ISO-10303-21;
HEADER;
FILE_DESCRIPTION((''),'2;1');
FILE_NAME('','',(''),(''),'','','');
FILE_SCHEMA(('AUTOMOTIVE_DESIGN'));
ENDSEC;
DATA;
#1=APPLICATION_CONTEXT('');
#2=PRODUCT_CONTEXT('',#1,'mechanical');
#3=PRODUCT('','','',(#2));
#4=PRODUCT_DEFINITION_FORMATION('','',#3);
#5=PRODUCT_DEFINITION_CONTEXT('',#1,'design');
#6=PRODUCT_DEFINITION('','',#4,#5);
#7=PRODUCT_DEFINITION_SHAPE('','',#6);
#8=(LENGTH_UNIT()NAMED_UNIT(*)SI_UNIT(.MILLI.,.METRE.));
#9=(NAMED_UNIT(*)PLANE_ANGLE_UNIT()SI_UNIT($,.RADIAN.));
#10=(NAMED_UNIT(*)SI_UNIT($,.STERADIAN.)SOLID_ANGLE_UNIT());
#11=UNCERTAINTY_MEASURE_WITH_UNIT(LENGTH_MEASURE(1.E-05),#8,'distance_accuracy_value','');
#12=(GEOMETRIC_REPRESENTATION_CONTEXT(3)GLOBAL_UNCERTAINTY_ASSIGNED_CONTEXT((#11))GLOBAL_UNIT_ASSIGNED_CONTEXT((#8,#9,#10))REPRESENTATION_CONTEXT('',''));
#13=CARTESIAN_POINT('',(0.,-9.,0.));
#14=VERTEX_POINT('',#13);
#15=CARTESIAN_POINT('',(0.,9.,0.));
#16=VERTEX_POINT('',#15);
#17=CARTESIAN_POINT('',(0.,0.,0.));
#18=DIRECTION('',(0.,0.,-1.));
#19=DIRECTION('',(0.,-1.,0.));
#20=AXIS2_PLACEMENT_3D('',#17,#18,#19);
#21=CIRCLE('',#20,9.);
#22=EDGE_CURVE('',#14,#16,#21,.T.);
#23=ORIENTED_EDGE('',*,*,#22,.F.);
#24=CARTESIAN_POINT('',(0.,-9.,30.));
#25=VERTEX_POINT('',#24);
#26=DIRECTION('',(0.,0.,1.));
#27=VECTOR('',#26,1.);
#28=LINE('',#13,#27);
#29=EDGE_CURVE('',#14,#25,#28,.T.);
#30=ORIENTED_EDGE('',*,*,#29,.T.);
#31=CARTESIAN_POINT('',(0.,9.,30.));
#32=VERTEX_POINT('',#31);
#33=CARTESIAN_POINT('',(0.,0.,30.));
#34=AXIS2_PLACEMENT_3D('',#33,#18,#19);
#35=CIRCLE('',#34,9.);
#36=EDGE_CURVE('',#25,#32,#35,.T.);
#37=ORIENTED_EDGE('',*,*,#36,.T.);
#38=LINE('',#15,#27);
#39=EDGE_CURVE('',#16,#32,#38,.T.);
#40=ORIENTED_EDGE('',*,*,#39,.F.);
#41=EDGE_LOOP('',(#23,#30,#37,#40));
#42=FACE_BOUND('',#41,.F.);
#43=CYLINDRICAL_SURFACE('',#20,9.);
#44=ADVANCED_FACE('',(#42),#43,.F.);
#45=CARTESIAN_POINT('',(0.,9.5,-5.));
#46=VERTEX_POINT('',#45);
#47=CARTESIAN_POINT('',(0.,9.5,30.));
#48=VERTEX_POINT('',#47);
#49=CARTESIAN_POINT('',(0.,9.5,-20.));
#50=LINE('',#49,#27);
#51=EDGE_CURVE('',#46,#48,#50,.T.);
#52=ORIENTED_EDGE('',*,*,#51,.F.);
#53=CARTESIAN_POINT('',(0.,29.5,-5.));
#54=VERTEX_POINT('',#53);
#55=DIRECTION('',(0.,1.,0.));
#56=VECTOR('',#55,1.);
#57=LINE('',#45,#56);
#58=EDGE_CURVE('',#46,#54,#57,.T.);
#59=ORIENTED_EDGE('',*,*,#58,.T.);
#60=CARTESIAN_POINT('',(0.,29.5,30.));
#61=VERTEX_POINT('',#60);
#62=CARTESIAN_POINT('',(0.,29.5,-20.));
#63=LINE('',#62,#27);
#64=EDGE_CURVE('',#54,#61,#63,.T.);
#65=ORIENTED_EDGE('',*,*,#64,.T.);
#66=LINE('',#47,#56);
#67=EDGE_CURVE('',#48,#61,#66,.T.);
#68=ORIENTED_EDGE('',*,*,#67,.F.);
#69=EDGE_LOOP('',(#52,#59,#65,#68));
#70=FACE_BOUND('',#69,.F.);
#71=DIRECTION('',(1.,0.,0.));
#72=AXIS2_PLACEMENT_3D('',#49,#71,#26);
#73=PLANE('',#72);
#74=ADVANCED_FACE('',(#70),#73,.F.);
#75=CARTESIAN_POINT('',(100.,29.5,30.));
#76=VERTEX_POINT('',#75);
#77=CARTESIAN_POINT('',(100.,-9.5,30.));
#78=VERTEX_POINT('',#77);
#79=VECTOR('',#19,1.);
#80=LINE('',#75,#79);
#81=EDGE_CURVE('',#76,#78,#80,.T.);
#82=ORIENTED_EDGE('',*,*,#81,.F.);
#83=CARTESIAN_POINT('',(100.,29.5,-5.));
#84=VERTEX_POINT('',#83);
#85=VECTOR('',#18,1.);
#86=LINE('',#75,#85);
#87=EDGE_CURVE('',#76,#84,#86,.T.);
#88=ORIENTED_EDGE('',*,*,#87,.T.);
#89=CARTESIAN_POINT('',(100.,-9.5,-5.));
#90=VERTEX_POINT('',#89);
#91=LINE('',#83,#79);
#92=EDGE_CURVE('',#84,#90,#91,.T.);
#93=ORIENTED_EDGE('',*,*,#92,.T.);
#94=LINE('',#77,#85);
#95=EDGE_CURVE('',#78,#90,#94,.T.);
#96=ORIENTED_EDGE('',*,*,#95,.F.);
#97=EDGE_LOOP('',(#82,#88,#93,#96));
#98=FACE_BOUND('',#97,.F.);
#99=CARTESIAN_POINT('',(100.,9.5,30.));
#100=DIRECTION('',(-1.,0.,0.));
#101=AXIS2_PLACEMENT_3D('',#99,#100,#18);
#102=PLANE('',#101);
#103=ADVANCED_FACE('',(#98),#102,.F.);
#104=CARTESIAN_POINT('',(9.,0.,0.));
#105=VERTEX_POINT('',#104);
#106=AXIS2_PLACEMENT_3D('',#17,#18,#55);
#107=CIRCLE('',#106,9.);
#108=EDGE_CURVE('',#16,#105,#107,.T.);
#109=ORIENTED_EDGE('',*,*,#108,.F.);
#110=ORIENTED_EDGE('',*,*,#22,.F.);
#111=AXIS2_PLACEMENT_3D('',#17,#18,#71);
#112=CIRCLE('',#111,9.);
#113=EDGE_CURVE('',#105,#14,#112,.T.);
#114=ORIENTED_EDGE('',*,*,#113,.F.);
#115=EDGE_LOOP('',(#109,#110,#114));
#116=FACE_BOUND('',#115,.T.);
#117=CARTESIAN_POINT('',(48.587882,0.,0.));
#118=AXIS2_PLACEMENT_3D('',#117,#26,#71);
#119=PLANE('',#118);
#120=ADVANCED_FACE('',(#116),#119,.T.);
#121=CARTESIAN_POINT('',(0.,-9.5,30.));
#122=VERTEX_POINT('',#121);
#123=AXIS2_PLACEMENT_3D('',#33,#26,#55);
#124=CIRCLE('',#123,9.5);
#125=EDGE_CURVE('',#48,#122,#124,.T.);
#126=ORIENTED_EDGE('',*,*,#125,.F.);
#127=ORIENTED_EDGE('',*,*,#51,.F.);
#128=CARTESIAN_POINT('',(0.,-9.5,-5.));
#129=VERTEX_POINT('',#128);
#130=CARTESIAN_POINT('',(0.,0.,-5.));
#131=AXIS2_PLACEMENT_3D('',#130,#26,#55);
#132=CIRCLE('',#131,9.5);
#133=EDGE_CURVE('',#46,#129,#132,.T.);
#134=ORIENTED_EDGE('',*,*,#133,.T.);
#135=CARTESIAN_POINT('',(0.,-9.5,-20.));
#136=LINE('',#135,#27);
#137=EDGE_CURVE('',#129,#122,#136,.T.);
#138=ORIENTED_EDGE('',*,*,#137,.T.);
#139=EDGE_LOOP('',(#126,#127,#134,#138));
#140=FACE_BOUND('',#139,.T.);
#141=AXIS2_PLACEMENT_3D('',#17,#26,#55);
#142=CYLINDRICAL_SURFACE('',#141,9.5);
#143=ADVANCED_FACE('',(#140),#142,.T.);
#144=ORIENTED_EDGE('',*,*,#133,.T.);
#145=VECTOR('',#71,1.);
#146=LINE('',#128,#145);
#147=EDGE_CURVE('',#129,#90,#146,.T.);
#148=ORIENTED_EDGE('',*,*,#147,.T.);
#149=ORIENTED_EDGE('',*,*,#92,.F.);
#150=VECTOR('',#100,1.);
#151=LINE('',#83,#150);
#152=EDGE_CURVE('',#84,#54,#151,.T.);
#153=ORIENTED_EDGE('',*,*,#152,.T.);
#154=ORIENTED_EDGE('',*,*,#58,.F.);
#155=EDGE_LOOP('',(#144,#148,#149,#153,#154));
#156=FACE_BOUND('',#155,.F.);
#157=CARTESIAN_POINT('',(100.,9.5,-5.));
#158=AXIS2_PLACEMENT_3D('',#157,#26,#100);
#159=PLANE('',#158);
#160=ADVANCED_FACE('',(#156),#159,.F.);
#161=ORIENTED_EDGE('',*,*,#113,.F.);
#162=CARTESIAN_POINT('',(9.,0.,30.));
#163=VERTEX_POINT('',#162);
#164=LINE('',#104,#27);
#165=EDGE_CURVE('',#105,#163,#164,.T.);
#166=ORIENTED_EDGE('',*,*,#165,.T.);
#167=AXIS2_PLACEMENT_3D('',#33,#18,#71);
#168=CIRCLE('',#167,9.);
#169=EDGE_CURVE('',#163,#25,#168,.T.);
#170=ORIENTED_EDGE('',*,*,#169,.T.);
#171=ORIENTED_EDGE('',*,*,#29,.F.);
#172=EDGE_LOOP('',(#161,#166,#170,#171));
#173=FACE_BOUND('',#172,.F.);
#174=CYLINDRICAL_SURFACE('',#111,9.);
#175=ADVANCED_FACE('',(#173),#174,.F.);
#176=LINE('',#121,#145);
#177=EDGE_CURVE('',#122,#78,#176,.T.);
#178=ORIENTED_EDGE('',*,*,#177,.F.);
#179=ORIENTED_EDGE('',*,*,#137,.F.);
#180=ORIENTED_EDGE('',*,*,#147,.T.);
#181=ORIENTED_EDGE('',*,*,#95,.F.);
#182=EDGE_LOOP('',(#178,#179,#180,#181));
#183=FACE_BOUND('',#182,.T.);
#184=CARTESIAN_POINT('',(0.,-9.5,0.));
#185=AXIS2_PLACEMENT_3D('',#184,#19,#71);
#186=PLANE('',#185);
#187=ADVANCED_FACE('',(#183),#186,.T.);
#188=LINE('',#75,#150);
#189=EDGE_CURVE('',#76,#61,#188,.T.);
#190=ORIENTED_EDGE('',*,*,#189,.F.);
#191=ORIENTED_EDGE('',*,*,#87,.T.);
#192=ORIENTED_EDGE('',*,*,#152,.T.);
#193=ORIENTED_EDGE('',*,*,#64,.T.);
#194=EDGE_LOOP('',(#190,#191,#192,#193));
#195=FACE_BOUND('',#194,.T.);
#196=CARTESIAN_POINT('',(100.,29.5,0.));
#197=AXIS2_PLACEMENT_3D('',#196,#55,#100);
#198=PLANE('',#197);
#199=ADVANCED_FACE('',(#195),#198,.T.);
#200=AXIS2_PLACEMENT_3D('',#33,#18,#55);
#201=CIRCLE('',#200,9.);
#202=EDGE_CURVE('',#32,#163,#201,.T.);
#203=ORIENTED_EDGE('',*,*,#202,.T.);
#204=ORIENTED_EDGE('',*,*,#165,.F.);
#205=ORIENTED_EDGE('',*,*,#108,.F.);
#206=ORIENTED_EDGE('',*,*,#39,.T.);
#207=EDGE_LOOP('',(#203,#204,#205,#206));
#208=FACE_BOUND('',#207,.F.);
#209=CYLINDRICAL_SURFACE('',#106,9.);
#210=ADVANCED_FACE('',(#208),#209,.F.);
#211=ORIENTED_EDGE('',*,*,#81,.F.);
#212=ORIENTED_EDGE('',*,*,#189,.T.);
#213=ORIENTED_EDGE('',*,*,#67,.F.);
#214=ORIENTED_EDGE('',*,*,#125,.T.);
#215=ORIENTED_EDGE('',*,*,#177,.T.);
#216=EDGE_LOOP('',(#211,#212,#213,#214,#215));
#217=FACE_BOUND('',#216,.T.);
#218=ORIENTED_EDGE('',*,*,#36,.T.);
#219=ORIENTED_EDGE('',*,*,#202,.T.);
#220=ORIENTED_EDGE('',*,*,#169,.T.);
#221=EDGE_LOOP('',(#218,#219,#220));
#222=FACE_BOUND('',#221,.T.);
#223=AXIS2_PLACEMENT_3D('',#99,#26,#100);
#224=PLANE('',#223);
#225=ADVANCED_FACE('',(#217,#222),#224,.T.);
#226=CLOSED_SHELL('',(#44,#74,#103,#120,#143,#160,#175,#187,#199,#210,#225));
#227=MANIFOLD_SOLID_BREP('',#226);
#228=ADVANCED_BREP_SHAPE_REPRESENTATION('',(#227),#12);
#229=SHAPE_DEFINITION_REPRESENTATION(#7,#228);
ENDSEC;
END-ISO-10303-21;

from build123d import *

# Parameters (mm, degrees)
F1_DEPTH = 30
F2_DEPTH = 20
F3_DEPTH = 20
F4_DEPTH = 15


with BuildPart() as f1:
    # F0 (on Top) → F1 (new body)
    with BuildSketch(Plane.XY):
        with BuildLine():
            ThreePointArc((0, 9), (6.3639610307, 6.3639610307), (9, 0))
            ThreePointArc((9, 0), (6.3639610307, -6.3639610307), (0, -9))
            Line((0, -9), (0, -9.5))
            ThreePointArc((0, -9.5), (6.7175144213, -6.7175144213), (9.5, 0))
            ThreePointArc((9.5, 0), (6.7175144213, 6.7175144213), (0, 9.5))
            Line((0, 9.5), (0, 9))
        make_face()
        with BuildLine():
            ThreePointArc((0, -9), (-9, 0), (0, 9))
            Line((0, 9), (0, 9.5))
            ThreePointArc((0, 9.5), (-9.5, 0), (0, -9.5))
            Line((0, -9.5), (0, -9))
        make_face()
        with BuildLine():
            Line((100, 9.5), (0, 9.5))
            ThreePointArc((0, 9.5), (6.7175144213, 6.7175144213), (9.5, 0))
            ThreePointArc((9.5, 0), (6.7175144213, -6.7175144213), (0, -9.5))
            Line((0, -9.5), (100, -9.5))
            Line((100, -9.5), (100, 9.5))
        make_face()
    extrude(amount=F1_DEPTH)

    # F0 (on Top) → F2 (join)
    with BuildSketch(Plane.XY):
        with BuildLine():
            Line((100, 9.5), (0, 9.5))
            ThreePointArc((0, 9.5), (6.7175144213, 6.7175144213), (9.5, 0))
            ThreePointArc((9.5, 0), (6.7175144213, -6.7175144213), (0, -9.5))
            Line((0, -9.5), (100, -9.5))
            Line((100, -9.5), (100, 9.5))
        make_face()
        with BuildLine():
            ThreePointArc((0, 9), (6.3639610307, 6.3639610307), (9, 0))
            ThreePointArc((9, 0), (6.3639610307, -6.3639610307), (0, -9))
            Line((0, -9), (0, -9.5))
            ThreePointArc((0, -9.5), (6.7175144213, -6.7175144213), (9.5, 0))
            ThreePointArc((9.5, 0), (6.7175144213, 6.7175144213), (0, 9.5))
            Line((0, 9.5), (0, 9))
        make_face()
        with BuildLine():
            ThreePointArc((0, -9), (6.3639610307, -6.3639610307), (9, 0))
            ThreePointArc((9, 0), (6.3639610307, 6.3639610307), (0, 9))
            Line((0, 9), (0, 0))
            Line((0, 0), (0, -9))
        make_face()
        with BuildLine():
            ThreePointArc((0, -9), (-9, 0), (0, 9))
            Line((0, 9), (0, 9.5))
            ThreePointArc((0, 9.5), (-9.5, 0), (0, -9.5))
            Line((0, -9.5), (0, -9))
        make_face()
        with BuildLine():
            Line((0, 0), (0, 9))
            ThreePointArc((0, 9), (-9, 0), (0, -9))
            Line((0, -9), (0, 0))
        make_face()
    extrude(amount=-F2_DEPTH)

    # F3 (add): a face of the model
    f3_faces = [f1.faces().sort_by_distance(p)[0] for p in [
        (50, 9.5, 5),
    ]]
    extrude(f3_faces, amount=F3_DEPTH)

    # F4 (cut): a face of the model
    f4_faces = [f1.faces().sort_by_distance(p)[0] for p in [
        (48.1048371306, 9.6492512785, -20),
    ]]
    extrude(f4_faces, amount=-F4_DEPTH, mode=Mode.SUBTRACT)


solid = f1.part
